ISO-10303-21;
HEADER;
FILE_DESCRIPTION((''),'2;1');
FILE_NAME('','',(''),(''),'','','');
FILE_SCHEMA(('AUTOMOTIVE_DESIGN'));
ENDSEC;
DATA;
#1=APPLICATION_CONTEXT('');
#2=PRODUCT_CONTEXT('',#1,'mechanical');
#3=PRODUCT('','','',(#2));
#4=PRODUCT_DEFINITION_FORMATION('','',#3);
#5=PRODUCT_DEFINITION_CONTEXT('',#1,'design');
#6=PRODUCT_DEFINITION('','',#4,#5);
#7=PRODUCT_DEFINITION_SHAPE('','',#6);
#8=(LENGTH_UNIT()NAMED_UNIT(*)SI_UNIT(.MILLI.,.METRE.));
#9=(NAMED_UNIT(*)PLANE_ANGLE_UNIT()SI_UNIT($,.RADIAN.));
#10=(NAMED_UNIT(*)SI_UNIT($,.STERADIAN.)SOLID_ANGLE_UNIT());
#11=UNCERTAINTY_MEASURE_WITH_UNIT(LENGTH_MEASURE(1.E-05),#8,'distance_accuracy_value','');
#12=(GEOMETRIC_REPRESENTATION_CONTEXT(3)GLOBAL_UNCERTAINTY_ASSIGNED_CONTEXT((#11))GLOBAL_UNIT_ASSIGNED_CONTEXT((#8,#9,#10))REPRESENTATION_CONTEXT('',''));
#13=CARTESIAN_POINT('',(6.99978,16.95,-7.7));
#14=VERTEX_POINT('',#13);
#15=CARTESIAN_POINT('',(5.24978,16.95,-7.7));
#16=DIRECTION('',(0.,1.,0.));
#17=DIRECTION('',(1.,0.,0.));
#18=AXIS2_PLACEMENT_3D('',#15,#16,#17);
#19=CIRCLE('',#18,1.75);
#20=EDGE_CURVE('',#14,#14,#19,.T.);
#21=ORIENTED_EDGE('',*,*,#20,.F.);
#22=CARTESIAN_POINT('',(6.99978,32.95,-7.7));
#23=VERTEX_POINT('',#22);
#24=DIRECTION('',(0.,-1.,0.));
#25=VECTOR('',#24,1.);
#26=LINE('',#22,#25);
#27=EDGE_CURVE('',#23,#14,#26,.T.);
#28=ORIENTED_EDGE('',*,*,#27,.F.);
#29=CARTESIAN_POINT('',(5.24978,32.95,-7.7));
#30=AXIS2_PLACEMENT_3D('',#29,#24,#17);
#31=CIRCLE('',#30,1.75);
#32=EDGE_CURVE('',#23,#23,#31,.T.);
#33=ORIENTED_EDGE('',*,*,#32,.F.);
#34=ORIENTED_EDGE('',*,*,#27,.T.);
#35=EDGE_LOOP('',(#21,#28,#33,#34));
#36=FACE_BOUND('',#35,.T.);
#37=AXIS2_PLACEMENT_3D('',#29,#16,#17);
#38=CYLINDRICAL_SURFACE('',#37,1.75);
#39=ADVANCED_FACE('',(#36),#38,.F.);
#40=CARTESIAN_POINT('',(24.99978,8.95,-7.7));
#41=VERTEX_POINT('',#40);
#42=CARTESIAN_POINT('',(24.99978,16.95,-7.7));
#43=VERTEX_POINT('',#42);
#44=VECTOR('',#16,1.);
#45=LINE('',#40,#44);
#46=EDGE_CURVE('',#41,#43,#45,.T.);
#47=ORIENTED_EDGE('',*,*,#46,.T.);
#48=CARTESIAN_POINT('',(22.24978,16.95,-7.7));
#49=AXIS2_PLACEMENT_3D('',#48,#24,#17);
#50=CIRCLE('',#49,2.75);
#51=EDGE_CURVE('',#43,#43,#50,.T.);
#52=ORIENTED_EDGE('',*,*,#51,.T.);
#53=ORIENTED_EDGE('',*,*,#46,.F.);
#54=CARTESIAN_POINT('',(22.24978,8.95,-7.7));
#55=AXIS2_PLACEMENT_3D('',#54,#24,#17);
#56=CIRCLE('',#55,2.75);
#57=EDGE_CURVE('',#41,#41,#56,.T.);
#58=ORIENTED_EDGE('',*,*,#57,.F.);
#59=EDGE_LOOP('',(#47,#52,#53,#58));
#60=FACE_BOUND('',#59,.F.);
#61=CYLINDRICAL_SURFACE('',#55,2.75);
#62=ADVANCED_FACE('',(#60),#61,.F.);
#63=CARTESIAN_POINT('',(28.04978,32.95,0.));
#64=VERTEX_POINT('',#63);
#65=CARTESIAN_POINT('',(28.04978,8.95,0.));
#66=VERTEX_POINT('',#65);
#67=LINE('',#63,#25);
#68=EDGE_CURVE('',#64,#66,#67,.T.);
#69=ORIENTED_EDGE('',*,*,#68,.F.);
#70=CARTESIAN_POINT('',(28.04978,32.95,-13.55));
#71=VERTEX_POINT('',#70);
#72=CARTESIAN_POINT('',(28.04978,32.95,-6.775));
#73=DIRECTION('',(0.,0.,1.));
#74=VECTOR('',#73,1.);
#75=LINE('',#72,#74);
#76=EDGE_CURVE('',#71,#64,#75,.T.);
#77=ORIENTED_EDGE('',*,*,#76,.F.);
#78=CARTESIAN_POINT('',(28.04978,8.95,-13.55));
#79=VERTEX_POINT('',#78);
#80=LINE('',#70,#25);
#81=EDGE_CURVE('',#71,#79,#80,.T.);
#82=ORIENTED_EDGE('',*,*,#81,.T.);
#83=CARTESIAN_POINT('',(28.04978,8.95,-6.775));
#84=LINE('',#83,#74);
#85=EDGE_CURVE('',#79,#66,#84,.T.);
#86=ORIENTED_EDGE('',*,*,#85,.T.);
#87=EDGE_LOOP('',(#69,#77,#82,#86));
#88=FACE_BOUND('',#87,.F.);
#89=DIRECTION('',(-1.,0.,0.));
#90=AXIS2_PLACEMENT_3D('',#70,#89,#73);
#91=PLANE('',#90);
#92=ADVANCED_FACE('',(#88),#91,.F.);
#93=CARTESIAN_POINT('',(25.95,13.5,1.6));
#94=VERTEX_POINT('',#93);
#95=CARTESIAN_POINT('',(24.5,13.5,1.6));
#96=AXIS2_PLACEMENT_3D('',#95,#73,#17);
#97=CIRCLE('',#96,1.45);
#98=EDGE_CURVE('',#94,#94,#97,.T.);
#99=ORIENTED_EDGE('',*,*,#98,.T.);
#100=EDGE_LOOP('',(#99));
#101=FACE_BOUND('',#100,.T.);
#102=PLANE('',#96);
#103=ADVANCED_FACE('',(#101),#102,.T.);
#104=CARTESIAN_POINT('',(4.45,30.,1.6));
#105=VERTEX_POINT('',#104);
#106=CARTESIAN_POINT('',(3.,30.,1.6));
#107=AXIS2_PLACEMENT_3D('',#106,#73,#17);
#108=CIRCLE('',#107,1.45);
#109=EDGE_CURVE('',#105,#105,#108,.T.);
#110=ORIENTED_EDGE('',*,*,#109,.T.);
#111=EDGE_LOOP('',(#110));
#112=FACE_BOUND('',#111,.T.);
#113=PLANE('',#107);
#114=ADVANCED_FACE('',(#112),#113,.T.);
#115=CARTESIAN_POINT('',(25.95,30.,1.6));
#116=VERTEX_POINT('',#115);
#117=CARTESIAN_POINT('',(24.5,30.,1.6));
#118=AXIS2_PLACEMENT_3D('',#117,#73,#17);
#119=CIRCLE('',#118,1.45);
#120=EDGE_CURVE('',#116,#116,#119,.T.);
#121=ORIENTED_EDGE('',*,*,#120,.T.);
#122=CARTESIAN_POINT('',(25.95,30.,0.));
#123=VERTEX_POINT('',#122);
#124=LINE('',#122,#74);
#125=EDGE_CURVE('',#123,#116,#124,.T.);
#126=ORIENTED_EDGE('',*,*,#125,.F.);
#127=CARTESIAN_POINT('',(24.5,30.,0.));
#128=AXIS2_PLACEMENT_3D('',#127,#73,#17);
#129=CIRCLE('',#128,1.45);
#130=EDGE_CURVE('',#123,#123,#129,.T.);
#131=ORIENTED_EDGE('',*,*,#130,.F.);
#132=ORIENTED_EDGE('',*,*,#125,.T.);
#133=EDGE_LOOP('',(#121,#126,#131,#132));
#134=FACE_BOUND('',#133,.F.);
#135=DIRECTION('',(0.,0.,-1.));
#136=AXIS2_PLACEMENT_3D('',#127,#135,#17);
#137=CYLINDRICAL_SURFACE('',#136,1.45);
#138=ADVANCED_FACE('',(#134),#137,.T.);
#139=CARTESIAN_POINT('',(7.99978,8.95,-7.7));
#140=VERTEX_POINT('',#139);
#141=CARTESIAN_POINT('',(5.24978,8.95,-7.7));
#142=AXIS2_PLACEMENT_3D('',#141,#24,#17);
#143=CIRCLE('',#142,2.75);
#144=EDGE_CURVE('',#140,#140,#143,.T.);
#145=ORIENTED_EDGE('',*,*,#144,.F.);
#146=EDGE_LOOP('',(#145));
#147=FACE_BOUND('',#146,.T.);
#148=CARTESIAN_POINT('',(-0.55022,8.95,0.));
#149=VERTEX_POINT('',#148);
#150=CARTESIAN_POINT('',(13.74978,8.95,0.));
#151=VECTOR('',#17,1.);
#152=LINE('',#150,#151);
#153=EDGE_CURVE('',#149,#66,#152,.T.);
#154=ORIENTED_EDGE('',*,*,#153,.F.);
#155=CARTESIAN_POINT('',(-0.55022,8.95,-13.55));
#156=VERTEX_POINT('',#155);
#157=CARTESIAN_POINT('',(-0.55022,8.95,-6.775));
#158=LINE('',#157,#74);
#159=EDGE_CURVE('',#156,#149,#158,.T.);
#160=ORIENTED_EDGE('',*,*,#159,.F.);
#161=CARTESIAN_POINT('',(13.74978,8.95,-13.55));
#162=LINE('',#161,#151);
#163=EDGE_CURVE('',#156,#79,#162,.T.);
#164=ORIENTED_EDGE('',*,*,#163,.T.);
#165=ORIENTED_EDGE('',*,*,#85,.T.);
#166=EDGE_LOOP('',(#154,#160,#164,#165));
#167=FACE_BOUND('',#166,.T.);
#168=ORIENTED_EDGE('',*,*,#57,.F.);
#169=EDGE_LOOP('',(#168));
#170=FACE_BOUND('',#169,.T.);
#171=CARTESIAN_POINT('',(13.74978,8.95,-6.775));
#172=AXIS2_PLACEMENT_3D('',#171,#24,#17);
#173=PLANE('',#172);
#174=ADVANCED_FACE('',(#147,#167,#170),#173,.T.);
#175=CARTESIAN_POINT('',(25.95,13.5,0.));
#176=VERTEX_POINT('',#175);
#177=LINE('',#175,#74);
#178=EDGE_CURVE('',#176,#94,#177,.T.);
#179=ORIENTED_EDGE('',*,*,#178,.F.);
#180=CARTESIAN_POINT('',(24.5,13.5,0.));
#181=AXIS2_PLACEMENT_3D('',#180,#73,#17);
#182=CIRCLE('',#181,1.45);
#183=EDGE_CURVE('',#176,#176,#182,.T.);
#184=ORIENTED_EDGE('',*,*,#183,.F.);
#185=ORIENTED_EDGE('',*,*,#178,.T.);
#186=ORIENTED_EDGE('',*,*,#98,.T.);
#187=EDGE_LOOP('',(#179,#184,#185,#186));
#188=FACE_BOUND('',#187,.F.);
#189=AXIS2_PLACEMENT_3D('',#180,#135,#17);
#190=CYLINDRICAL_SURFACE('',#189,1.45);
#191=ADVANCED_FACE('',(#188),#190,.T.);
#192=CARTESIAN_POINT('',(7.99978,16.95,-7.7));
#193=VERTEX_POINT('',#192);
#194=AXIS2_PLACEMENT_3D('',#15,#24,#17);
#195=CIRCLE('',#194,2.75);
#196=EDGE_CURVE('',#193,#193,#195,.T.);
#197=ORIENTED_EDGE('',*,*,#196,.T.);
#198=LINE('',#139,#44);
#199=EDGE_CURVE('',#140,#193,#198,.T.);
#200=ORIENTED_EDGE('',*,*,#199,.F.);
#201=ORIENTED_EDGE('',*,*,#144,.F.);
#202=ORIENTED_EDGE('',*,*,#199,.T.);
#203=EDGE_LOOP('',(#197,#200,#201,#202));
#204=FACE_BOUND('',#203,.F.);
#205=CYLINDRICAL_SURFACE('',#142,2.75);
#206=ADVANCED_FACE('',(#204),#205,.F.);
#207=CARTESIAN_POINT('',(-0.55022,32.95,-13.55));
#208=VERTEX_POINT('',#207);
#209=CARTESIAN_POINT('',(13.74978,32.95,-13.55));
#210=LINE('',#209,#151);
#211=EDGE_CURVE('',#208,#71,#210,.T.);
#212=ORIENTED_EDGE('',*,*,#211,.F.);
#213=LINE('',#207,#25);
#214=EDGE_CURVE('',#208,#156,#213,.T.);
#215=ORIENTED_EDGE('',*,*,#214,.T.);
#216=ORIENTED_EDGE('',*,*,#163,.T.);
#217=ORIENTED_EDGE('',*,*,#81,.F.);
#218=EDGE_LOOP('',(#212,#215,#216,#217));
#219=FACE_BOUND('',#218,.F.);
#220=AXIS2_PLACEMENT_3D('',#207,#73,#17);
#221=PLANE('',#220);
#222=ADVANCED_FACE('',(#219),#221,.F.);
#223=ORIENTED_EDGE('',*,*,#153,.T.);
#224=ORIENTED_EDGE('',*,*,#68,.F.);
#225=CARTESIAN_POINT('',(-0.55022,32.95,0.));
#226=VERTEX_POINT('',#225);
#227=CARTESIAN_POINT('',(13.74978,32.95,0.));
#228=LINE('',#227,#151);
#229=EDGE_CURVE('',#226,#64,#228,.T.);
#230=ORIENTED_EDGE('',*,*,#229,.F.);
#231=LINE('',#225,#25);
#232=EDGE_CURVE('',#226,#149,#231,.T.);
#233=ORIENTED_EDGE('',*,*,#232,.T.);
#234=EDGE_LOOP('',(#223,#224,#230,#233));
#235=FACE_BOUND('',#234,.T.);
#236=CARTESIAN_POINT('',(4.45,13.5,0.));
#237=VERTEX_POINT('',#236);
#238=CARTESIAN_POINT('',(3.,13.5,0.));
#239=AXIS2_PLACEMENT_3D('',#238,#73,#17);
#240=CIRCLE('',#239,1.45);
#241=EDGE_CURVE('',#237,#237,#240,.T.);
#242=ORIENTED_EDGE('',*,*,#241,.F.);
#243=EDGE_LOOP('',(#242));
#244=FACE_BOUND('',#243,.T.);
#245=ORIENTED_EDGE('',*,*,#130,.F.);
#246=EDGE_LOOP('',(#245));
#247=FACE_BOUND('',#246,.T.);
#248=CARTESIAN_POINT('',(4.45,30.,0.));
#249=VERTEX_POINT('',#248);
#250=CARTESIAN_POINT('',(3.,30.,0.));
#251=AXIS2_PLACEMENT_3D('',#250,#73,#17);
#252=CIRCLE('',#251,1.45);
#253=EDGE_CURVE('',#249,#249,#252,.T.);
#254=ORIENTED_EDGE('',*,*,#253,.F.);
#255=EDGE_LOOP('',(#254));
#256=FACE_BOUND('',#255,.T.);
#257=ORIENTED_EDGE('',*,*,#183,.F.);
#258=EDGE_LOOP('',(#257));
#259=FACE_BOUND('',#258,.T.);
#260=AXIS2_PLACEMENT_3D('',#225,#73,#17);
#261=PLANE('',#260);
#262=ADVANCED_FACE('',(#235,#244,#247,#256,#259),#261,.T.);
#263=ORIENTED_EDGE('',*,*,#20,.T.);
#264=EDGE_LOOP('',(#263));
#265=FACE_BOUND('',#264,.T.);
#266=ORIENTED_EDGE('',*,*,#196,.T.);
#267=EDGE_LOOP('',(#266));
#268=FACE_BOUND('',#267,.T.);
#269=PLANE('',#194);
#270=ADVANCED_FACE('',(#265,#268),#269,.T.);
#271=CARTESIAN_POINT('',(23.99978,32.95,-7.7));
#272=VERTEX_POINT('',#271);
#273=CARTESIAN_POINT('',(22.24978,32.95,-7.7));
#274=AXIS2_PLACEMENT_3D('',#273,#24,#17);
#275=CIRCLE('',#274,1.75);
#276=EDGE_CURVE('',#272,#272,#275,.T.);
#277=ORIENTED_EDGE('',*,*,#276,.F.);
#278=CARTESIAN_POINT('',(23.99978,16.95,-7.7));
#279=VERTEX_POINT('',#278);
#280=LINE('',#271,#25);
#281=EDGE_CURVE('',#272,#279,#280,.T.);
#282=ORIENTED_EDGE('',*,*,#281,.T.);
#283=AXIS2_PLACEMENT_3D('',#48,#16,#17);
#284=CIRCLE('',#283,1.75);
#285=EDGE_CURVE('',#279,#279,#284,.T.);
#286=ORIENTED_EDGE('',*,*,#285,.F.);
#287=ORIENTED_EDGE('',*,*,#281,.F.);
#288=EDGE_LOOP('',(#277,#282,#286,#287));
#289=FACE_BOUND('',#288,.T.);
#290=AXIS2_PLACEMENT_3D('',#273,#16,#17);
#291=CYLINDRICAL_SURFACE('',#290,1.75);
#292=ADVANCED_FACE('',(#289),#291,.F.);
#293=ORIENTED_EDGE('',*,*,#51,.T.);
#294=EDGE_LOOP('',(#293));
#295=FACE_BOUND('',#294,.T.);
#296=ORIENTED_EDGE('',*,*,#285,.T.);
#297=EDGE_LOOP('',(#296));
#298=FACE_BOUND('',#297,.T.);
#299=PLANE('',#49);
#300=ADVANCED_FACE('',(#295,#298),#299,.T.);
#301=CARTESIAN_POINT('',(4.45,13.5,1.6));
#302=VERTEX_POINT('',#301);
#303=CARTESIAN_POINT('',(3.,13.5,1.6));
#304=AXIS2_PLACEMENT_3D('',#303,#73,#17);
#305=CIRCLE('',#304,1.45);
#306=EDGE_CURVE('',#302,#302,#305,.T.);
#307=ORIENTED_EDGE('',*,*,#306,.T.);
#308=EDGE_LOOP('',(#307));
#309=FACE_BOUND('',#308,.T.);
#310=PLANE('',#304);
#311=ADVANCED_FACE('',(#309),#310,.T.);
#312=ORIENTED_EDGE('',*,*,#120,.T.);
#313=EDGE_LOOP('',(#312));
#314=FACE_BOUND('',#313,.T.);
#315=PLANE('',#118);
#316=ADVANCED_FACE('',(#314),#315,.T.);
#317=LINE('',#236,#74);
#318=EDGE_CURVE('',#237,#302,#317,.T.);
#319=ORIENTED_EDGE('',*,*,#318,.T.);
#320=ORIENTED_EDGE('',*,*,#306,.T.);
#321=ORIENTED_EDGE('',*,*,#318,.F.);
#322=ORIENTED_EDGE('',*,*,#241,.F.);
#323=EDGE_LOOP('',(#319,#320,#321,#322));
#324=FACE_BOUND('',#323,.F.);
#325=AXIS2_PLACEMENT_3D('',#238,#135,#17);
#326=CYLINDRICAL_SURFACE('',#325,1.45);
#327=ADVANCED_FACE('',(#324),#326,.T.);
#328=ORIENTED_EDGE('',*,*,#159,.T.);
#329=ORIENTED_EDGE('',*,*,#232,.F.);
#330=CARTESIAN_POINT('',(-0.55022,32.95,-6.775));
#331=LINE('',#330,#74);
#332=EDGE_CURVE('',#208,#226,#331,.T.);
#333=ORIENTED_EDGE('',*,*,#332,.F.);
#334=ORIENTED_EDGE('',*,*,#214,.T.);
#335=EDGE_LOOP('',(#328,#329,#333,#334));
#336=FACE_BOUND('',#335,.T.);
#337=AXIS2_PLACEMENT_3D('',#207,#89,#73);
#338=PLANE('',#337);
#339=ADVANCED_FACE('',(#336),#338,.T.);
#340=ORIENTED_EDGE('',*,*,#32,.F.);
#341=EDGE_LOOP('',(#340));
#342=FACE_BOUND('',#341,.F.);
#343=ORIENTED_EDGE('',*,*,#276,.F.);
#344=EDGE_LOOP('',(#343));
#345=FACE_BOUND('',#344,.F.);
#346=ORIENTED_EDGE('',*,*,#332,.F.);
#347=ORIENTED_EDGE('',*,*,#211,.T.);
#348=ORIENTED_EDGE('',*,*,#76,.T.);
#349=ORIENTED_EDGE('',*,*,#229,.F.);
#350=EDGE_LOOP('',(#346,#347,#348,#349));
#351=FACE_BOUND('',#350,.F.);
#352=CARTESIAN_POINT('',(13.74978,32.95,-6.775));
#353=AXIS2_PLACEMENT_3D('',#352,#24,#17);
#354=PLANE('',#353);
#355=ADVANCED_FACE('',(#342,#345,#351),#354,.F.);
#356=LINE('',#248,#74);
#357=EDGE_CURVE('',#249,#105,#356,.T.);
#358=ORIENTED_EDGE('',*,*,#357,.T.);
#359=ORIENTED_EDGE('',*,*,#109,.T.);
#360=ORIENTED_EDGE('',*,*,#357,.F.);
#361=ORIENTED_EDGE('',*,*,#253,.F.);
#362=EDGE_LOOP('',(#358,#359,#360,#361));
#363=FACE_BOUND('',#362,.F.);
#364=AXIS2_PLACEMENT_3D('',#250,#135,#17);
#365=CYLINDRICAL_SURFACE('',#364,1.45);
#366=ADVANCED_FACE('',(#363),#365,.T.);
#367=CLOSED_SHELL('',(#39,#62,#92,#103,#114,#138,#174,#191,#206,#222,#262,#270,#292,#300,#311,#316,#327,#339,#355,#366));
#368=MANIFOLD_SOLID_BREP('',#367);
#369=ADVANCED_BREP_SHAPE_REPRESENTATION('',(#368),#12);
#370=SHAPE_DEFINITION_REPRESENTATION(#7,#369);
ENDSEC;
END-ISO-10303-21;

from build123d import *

# Parameters (mm, degrees)
SKETCH015_W     = 28.6
SKETCH015_H     = 13.55
SKETCH015_R     = 1.75
PAD007_DEPTH    = 24
SKETCH016_R     = 2.75
POCKET008_DEPTH = 8
SKETCH017_R     = 1.45
PAD008_DEPTH    = 1.6


with BuildPart() as part:
    # Sketch015 (on Face21 of Binder004) → Pad007 (new body)
    with BuildSketch(Plane.XZ.offset(-32.95)):
        with Locations((13.74978, -6.775)):
            Rectangle(SKETCH015_W, SKETCH015_H)
        with Locations((5.24978, -7.7)):
            Circle(SKETCH015_R, mode=Mode.SUBTRACT)
        with Locations((22.24978, -7.7)):
            Circle(SKETCH015_R, mode=Mode.SUBTRACT)
    extrude(amount=PAD007_DEPTH)

    # Sketch016 (on Face8 of Pad007) → Pocket008 (cut)
    with BuildSketch(Plane.XZ.offset(-8.95)):
        with Locations((5.24978, -7.7)):
            Circle(SKETCH016_R)
        with Locations((22.24978, -7.7)):
            Circle(SKETCH016_R)
    extrude(amount=-POCKET008_DEPTH, mode=Mode.SUBTRACT)

    # Sketch017 (on Face6 of Pocket008) → Pad008 (join)
    with BuildSketch(Plane.XY):
        with Locations((3, 13.5)):
            Circle(SKETCH017_R)
        with Locations((24.5, 13.5)):
            Circle(SKETCH017_R)
        with Locations((24.5, 30)):
            Circle(SKETCH017_R)
        with Locations((3, 30)):
            Circle(SKETCH017_R)
    extrude(amount=PAD008_DEPTH)


solid = part.part
